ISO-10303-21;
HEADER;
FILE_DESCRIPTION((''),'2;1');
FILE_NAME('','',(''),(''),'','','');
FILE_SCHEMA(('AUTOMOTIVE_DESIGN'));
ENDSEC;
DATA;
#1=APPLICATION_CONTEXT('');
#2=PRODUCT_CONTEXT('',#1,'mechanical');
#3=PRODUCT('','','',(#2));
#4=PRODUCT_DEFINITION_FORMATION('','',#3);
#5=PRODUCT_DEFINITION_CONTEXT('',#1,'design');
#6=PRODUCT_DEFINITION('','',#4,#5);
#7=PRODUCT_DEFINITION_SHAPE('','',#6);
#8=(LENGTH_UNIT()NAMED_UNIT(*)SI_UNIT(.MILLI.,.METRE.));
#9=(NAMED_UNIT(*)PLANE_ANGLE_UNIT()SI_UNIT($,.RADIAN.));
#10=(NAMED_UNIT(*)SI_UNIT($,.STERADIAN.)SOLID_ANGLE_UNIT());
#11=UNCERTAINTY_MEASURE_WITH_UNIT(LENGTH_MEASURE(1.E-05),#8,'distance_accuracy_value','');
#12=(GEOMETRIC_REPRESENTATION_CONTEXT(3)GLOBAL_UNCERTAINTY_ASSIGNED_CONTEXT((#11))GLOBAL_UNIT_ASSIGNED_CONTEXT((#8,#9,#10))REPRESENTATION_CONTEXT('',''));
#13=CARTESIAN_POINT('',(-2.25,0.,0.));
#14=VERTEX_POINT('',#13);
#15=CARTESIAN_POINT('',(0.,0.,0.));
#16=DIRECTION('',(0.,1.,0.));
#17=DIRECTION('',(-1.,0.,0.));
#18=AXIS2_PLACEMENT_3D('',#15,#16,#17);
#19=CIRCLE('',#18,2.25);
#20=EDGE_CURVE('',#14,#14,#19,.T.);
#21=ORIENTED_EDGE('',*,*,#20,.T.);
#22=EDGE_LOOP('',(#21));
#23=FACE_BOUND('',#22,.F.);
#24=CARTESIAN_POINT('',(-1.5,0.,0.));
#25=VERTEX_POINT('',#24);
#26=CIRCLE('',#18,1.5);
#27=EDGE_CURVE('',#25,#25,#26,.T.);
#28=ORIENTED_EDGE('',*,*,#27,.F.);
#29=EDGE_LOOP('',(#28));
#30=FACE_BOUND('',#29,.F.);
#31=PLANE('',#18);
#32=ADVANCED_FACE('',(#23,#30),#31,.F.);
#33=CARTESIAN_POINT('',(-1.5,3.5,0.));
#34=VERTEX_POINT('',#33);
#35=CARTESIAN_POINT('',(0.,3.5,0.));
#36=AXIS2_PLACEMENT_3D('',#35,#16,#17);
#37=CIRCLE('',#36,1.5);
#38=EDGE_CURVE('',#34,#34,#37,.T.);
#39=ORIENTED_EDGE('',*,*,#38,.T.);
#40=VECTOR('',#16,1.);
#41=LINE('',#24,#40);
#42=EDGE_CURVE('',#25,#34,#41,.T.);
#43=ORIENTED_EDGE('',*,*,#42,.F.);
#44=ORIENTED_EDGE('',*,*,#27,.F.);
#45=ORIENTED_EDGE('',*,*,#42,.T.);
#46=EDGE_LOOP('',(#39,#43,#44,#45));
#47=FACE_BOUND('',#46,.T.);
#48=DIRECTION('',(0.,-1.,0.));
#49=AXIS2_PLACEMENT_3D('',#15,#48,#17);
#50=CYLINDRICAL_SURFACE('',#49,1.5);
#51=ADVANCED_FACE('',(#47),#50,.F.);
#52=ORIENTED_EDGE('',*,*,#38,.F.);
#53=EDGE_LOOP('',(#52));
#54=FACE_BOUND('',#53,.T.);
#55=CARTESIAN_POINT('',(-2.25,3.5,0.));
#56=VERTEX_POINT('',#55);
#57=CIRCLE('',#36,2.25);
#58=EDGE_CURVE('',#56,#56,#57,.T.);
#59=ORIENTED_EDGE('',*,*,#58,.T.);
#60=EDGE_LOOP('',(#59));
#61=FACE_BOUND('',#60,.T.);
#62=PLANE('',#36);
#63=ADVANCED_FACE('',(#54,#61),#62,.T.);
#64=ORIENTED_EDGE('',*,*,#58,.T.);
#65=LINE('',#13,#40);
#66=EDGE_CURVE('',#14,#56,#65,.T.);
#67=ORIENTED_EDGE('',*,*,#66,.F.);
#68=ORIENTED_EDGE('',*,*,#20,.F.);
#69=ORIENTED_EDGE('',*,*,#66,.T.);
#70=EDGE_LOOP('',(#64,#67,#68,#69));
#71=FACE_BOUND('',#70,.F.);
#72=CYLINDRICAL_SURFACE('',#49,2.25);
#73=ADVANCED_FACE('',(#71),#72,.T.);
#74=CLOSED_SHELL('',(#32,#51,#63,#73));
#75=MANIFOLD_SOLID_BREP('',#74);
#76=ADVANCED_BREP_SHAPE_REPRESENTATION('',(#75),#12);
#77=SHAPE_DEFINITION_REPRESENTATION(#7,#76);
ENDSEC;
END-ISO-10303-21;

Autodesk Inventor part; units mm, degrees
ref_plane "YZ Plane" through (0, 0, 0) normal (1, 0, 0) x (0, 1, 0)
ref_plane "XZ Plane" through (0, 0, 0) normal (0, 1, 0) x (-1, 0, 0)
ref_plane "XY Plane" through (0, 0, 0) normal (0, 0, 1) x (1, 0, 0)
sketch "Sketch1" plane through (0, 0, 0) normal (0, 1, 0) x (-1, 0, 0)
  circle A0 centre (0, 0) radius 2.25
  circle A1 centre (0, 0) radius 1.5
  dimension "d0" = 4.5
  dimension "d1" = 3
extrude "Extrusion1" add sketch "Sketch1" along normal blind 3.5
properties part number "500-111" material "ABS Plastic"
